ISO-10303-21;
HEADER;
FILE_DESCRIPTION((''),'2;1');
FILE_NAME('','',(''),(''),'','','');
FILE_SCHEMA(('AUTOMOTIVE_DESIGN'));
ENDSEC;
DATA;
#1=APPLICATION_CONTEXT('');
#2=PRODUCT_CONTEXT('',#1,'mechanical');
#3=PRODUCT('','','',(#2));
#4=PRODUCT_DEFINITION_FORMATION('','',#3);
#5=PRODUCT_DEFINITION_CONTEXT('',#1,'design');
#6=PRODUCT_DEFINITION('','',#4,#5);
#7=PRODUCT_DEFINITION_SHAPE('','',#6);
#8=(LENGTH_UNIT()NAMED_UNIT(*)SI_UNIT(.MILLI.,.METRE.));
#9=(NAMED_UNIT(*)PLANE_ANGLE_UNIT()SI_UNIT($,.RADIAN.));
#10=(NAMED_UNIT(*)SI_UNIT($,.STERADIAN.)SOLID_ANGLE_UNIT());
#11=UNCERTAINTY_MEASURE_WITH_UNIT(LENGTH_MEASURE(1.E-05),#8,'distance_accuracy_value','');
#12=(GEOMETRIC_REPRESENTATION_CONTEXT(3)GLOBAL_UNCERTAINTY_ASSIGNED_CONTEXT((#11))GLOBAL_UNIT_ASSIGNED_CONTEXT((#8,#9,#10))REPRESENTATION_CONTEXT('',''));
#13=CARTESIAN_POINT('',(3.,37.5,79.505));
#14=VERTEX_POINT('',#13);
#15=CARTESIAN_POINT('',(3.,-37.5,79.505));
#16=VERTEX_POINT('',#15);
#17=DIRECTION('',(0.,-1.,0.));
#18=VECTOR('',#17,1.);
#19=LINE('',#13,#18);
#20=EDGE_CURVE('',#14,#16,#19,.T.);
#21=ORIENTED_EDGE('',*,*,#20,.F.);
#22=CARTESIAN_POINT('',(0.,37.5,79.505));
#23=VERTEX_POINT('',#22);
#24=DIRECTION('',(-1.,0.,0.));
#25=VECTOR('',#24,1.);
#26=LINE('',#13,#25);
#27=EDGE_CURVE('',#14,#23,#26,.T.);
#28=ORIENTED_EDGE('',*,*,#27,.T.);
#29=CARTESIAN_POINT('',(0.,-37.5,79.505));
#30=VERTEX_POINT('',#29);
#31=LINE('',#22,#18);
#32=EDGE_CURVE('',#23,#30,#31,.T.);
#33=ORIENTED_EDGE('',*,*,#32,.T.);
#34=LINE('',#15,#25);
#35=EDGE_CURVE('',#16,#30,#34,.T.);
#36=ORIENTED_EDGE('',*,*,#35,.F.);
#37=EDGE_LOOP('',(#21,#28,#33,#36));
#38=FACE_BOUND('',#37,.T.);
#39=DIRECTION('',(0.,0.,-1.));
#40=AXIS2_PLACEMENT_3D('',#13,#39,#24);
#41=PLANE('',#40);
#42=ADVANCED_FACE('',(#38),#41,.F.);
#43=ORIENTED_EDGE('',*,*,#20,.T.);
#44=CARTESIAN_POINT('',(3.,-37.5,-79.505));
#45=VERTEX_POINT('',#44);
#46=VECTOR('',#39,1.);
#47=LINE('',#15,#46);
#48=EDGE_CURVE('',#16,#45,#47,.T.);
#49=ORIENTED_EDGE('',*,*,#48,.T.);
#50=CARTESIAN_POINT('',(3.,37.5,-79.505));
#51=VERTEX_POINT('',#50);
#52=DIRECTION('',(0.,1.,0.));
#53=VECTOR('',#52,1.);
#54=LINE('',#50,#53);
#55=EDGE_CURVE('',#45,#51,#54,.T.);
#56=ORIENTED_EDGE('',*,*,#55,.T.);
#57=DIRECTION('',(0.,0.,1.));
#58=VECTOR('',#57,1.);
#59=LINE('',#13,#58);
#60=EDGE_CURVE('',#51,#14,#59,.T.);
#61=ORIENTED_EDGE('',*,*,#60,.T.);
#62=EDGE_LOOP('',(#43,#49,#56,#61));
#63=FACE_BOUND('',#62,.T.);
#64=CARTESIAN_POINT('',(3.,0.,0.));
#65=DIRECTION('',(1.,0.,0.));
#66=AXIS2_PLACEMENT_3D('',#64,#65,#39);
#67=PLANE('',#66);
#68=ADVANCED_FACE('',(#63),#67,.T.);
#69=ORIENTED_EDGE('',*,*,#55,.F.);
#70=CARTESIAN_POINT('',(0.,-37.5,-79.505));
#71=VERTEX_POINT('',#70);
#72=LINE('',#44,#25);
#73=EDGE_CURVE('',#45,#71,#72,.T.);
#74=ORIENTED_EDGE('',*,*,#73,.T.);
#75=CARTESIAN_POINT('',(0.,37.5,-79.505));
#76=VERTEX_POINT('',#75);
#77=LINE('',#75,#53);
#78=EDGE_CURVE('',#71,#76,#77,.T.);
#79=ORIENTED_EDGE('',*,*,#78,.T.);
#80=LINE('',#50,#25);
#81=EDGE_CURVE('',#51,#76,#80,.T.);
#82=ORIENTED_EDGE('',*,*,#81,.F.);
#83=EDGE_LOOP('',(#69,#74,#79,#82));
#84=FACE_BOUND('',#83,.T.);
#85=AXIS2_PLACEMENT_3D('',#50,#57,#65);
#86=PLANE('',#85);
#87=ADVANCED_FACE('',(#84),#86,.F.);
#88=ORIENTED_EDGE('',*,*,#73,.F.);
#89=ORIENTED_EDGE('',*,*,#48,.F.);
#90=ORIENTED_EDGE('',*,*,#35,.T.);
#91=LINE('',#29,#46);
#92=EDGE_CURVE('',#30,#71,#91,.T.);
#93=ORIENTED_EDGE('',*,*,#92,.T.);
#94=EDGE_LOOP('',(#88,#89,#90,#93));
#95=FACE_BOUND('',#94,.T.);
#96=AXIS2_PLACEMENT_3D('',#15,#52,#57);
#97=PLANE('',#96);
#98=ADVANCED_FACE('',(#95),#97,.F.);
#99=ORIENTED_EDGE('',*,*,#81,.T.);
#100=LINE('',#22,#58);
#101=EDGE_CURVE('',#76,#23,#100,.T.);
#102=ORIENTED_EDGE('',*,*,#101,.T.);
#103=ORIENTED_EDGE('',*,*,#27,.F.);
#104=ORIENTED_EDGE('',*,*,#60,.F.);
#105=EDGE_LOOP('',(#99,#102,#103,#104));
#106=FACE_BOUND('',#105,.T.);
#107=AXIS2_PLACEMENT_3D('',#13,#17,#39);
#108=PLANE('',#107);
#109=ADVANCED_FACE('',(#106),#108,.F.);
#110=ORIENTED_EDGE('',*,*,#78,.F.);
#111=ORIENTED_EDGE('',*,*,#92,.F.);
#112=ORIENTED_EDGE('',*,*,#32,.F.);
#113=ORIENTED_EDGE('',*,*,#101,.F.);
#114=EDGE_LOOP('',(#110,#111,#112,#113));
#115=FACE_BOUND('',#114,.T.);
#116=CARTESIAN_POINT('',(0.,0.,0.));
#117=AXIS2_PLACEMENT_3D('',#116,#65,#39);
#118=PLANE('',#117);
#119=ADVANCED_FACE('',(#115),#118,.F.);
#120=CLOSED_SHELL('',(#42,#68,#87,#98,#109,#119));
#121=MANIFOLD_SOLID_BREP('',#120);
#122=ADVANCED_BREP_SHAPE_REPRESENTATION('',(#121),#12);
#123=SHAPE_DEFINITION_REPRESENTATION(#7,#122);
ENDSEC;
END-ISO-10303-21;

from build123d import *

# Parameters (mm, degrees)
CROQUIS1_W              = 159.01
CROQUIS1_H              = 75
SALIENTE_EXTRUIR1_DEPTH = 3


with BuildPart() as part:
    # Croquis1 → Saliente-Extruir1 (new body)
    with BuildSketch(Plane(origin=(0, 0, 0), x_dir=(0, 0, -1), z_dir=(1, 0, 0))):
        Rectangle(CROQUIS1_W, CROQUIS1_H)
    extrude(amount=SALIENTE_EXTRUIR1_DEPTH)


solid = part.part
